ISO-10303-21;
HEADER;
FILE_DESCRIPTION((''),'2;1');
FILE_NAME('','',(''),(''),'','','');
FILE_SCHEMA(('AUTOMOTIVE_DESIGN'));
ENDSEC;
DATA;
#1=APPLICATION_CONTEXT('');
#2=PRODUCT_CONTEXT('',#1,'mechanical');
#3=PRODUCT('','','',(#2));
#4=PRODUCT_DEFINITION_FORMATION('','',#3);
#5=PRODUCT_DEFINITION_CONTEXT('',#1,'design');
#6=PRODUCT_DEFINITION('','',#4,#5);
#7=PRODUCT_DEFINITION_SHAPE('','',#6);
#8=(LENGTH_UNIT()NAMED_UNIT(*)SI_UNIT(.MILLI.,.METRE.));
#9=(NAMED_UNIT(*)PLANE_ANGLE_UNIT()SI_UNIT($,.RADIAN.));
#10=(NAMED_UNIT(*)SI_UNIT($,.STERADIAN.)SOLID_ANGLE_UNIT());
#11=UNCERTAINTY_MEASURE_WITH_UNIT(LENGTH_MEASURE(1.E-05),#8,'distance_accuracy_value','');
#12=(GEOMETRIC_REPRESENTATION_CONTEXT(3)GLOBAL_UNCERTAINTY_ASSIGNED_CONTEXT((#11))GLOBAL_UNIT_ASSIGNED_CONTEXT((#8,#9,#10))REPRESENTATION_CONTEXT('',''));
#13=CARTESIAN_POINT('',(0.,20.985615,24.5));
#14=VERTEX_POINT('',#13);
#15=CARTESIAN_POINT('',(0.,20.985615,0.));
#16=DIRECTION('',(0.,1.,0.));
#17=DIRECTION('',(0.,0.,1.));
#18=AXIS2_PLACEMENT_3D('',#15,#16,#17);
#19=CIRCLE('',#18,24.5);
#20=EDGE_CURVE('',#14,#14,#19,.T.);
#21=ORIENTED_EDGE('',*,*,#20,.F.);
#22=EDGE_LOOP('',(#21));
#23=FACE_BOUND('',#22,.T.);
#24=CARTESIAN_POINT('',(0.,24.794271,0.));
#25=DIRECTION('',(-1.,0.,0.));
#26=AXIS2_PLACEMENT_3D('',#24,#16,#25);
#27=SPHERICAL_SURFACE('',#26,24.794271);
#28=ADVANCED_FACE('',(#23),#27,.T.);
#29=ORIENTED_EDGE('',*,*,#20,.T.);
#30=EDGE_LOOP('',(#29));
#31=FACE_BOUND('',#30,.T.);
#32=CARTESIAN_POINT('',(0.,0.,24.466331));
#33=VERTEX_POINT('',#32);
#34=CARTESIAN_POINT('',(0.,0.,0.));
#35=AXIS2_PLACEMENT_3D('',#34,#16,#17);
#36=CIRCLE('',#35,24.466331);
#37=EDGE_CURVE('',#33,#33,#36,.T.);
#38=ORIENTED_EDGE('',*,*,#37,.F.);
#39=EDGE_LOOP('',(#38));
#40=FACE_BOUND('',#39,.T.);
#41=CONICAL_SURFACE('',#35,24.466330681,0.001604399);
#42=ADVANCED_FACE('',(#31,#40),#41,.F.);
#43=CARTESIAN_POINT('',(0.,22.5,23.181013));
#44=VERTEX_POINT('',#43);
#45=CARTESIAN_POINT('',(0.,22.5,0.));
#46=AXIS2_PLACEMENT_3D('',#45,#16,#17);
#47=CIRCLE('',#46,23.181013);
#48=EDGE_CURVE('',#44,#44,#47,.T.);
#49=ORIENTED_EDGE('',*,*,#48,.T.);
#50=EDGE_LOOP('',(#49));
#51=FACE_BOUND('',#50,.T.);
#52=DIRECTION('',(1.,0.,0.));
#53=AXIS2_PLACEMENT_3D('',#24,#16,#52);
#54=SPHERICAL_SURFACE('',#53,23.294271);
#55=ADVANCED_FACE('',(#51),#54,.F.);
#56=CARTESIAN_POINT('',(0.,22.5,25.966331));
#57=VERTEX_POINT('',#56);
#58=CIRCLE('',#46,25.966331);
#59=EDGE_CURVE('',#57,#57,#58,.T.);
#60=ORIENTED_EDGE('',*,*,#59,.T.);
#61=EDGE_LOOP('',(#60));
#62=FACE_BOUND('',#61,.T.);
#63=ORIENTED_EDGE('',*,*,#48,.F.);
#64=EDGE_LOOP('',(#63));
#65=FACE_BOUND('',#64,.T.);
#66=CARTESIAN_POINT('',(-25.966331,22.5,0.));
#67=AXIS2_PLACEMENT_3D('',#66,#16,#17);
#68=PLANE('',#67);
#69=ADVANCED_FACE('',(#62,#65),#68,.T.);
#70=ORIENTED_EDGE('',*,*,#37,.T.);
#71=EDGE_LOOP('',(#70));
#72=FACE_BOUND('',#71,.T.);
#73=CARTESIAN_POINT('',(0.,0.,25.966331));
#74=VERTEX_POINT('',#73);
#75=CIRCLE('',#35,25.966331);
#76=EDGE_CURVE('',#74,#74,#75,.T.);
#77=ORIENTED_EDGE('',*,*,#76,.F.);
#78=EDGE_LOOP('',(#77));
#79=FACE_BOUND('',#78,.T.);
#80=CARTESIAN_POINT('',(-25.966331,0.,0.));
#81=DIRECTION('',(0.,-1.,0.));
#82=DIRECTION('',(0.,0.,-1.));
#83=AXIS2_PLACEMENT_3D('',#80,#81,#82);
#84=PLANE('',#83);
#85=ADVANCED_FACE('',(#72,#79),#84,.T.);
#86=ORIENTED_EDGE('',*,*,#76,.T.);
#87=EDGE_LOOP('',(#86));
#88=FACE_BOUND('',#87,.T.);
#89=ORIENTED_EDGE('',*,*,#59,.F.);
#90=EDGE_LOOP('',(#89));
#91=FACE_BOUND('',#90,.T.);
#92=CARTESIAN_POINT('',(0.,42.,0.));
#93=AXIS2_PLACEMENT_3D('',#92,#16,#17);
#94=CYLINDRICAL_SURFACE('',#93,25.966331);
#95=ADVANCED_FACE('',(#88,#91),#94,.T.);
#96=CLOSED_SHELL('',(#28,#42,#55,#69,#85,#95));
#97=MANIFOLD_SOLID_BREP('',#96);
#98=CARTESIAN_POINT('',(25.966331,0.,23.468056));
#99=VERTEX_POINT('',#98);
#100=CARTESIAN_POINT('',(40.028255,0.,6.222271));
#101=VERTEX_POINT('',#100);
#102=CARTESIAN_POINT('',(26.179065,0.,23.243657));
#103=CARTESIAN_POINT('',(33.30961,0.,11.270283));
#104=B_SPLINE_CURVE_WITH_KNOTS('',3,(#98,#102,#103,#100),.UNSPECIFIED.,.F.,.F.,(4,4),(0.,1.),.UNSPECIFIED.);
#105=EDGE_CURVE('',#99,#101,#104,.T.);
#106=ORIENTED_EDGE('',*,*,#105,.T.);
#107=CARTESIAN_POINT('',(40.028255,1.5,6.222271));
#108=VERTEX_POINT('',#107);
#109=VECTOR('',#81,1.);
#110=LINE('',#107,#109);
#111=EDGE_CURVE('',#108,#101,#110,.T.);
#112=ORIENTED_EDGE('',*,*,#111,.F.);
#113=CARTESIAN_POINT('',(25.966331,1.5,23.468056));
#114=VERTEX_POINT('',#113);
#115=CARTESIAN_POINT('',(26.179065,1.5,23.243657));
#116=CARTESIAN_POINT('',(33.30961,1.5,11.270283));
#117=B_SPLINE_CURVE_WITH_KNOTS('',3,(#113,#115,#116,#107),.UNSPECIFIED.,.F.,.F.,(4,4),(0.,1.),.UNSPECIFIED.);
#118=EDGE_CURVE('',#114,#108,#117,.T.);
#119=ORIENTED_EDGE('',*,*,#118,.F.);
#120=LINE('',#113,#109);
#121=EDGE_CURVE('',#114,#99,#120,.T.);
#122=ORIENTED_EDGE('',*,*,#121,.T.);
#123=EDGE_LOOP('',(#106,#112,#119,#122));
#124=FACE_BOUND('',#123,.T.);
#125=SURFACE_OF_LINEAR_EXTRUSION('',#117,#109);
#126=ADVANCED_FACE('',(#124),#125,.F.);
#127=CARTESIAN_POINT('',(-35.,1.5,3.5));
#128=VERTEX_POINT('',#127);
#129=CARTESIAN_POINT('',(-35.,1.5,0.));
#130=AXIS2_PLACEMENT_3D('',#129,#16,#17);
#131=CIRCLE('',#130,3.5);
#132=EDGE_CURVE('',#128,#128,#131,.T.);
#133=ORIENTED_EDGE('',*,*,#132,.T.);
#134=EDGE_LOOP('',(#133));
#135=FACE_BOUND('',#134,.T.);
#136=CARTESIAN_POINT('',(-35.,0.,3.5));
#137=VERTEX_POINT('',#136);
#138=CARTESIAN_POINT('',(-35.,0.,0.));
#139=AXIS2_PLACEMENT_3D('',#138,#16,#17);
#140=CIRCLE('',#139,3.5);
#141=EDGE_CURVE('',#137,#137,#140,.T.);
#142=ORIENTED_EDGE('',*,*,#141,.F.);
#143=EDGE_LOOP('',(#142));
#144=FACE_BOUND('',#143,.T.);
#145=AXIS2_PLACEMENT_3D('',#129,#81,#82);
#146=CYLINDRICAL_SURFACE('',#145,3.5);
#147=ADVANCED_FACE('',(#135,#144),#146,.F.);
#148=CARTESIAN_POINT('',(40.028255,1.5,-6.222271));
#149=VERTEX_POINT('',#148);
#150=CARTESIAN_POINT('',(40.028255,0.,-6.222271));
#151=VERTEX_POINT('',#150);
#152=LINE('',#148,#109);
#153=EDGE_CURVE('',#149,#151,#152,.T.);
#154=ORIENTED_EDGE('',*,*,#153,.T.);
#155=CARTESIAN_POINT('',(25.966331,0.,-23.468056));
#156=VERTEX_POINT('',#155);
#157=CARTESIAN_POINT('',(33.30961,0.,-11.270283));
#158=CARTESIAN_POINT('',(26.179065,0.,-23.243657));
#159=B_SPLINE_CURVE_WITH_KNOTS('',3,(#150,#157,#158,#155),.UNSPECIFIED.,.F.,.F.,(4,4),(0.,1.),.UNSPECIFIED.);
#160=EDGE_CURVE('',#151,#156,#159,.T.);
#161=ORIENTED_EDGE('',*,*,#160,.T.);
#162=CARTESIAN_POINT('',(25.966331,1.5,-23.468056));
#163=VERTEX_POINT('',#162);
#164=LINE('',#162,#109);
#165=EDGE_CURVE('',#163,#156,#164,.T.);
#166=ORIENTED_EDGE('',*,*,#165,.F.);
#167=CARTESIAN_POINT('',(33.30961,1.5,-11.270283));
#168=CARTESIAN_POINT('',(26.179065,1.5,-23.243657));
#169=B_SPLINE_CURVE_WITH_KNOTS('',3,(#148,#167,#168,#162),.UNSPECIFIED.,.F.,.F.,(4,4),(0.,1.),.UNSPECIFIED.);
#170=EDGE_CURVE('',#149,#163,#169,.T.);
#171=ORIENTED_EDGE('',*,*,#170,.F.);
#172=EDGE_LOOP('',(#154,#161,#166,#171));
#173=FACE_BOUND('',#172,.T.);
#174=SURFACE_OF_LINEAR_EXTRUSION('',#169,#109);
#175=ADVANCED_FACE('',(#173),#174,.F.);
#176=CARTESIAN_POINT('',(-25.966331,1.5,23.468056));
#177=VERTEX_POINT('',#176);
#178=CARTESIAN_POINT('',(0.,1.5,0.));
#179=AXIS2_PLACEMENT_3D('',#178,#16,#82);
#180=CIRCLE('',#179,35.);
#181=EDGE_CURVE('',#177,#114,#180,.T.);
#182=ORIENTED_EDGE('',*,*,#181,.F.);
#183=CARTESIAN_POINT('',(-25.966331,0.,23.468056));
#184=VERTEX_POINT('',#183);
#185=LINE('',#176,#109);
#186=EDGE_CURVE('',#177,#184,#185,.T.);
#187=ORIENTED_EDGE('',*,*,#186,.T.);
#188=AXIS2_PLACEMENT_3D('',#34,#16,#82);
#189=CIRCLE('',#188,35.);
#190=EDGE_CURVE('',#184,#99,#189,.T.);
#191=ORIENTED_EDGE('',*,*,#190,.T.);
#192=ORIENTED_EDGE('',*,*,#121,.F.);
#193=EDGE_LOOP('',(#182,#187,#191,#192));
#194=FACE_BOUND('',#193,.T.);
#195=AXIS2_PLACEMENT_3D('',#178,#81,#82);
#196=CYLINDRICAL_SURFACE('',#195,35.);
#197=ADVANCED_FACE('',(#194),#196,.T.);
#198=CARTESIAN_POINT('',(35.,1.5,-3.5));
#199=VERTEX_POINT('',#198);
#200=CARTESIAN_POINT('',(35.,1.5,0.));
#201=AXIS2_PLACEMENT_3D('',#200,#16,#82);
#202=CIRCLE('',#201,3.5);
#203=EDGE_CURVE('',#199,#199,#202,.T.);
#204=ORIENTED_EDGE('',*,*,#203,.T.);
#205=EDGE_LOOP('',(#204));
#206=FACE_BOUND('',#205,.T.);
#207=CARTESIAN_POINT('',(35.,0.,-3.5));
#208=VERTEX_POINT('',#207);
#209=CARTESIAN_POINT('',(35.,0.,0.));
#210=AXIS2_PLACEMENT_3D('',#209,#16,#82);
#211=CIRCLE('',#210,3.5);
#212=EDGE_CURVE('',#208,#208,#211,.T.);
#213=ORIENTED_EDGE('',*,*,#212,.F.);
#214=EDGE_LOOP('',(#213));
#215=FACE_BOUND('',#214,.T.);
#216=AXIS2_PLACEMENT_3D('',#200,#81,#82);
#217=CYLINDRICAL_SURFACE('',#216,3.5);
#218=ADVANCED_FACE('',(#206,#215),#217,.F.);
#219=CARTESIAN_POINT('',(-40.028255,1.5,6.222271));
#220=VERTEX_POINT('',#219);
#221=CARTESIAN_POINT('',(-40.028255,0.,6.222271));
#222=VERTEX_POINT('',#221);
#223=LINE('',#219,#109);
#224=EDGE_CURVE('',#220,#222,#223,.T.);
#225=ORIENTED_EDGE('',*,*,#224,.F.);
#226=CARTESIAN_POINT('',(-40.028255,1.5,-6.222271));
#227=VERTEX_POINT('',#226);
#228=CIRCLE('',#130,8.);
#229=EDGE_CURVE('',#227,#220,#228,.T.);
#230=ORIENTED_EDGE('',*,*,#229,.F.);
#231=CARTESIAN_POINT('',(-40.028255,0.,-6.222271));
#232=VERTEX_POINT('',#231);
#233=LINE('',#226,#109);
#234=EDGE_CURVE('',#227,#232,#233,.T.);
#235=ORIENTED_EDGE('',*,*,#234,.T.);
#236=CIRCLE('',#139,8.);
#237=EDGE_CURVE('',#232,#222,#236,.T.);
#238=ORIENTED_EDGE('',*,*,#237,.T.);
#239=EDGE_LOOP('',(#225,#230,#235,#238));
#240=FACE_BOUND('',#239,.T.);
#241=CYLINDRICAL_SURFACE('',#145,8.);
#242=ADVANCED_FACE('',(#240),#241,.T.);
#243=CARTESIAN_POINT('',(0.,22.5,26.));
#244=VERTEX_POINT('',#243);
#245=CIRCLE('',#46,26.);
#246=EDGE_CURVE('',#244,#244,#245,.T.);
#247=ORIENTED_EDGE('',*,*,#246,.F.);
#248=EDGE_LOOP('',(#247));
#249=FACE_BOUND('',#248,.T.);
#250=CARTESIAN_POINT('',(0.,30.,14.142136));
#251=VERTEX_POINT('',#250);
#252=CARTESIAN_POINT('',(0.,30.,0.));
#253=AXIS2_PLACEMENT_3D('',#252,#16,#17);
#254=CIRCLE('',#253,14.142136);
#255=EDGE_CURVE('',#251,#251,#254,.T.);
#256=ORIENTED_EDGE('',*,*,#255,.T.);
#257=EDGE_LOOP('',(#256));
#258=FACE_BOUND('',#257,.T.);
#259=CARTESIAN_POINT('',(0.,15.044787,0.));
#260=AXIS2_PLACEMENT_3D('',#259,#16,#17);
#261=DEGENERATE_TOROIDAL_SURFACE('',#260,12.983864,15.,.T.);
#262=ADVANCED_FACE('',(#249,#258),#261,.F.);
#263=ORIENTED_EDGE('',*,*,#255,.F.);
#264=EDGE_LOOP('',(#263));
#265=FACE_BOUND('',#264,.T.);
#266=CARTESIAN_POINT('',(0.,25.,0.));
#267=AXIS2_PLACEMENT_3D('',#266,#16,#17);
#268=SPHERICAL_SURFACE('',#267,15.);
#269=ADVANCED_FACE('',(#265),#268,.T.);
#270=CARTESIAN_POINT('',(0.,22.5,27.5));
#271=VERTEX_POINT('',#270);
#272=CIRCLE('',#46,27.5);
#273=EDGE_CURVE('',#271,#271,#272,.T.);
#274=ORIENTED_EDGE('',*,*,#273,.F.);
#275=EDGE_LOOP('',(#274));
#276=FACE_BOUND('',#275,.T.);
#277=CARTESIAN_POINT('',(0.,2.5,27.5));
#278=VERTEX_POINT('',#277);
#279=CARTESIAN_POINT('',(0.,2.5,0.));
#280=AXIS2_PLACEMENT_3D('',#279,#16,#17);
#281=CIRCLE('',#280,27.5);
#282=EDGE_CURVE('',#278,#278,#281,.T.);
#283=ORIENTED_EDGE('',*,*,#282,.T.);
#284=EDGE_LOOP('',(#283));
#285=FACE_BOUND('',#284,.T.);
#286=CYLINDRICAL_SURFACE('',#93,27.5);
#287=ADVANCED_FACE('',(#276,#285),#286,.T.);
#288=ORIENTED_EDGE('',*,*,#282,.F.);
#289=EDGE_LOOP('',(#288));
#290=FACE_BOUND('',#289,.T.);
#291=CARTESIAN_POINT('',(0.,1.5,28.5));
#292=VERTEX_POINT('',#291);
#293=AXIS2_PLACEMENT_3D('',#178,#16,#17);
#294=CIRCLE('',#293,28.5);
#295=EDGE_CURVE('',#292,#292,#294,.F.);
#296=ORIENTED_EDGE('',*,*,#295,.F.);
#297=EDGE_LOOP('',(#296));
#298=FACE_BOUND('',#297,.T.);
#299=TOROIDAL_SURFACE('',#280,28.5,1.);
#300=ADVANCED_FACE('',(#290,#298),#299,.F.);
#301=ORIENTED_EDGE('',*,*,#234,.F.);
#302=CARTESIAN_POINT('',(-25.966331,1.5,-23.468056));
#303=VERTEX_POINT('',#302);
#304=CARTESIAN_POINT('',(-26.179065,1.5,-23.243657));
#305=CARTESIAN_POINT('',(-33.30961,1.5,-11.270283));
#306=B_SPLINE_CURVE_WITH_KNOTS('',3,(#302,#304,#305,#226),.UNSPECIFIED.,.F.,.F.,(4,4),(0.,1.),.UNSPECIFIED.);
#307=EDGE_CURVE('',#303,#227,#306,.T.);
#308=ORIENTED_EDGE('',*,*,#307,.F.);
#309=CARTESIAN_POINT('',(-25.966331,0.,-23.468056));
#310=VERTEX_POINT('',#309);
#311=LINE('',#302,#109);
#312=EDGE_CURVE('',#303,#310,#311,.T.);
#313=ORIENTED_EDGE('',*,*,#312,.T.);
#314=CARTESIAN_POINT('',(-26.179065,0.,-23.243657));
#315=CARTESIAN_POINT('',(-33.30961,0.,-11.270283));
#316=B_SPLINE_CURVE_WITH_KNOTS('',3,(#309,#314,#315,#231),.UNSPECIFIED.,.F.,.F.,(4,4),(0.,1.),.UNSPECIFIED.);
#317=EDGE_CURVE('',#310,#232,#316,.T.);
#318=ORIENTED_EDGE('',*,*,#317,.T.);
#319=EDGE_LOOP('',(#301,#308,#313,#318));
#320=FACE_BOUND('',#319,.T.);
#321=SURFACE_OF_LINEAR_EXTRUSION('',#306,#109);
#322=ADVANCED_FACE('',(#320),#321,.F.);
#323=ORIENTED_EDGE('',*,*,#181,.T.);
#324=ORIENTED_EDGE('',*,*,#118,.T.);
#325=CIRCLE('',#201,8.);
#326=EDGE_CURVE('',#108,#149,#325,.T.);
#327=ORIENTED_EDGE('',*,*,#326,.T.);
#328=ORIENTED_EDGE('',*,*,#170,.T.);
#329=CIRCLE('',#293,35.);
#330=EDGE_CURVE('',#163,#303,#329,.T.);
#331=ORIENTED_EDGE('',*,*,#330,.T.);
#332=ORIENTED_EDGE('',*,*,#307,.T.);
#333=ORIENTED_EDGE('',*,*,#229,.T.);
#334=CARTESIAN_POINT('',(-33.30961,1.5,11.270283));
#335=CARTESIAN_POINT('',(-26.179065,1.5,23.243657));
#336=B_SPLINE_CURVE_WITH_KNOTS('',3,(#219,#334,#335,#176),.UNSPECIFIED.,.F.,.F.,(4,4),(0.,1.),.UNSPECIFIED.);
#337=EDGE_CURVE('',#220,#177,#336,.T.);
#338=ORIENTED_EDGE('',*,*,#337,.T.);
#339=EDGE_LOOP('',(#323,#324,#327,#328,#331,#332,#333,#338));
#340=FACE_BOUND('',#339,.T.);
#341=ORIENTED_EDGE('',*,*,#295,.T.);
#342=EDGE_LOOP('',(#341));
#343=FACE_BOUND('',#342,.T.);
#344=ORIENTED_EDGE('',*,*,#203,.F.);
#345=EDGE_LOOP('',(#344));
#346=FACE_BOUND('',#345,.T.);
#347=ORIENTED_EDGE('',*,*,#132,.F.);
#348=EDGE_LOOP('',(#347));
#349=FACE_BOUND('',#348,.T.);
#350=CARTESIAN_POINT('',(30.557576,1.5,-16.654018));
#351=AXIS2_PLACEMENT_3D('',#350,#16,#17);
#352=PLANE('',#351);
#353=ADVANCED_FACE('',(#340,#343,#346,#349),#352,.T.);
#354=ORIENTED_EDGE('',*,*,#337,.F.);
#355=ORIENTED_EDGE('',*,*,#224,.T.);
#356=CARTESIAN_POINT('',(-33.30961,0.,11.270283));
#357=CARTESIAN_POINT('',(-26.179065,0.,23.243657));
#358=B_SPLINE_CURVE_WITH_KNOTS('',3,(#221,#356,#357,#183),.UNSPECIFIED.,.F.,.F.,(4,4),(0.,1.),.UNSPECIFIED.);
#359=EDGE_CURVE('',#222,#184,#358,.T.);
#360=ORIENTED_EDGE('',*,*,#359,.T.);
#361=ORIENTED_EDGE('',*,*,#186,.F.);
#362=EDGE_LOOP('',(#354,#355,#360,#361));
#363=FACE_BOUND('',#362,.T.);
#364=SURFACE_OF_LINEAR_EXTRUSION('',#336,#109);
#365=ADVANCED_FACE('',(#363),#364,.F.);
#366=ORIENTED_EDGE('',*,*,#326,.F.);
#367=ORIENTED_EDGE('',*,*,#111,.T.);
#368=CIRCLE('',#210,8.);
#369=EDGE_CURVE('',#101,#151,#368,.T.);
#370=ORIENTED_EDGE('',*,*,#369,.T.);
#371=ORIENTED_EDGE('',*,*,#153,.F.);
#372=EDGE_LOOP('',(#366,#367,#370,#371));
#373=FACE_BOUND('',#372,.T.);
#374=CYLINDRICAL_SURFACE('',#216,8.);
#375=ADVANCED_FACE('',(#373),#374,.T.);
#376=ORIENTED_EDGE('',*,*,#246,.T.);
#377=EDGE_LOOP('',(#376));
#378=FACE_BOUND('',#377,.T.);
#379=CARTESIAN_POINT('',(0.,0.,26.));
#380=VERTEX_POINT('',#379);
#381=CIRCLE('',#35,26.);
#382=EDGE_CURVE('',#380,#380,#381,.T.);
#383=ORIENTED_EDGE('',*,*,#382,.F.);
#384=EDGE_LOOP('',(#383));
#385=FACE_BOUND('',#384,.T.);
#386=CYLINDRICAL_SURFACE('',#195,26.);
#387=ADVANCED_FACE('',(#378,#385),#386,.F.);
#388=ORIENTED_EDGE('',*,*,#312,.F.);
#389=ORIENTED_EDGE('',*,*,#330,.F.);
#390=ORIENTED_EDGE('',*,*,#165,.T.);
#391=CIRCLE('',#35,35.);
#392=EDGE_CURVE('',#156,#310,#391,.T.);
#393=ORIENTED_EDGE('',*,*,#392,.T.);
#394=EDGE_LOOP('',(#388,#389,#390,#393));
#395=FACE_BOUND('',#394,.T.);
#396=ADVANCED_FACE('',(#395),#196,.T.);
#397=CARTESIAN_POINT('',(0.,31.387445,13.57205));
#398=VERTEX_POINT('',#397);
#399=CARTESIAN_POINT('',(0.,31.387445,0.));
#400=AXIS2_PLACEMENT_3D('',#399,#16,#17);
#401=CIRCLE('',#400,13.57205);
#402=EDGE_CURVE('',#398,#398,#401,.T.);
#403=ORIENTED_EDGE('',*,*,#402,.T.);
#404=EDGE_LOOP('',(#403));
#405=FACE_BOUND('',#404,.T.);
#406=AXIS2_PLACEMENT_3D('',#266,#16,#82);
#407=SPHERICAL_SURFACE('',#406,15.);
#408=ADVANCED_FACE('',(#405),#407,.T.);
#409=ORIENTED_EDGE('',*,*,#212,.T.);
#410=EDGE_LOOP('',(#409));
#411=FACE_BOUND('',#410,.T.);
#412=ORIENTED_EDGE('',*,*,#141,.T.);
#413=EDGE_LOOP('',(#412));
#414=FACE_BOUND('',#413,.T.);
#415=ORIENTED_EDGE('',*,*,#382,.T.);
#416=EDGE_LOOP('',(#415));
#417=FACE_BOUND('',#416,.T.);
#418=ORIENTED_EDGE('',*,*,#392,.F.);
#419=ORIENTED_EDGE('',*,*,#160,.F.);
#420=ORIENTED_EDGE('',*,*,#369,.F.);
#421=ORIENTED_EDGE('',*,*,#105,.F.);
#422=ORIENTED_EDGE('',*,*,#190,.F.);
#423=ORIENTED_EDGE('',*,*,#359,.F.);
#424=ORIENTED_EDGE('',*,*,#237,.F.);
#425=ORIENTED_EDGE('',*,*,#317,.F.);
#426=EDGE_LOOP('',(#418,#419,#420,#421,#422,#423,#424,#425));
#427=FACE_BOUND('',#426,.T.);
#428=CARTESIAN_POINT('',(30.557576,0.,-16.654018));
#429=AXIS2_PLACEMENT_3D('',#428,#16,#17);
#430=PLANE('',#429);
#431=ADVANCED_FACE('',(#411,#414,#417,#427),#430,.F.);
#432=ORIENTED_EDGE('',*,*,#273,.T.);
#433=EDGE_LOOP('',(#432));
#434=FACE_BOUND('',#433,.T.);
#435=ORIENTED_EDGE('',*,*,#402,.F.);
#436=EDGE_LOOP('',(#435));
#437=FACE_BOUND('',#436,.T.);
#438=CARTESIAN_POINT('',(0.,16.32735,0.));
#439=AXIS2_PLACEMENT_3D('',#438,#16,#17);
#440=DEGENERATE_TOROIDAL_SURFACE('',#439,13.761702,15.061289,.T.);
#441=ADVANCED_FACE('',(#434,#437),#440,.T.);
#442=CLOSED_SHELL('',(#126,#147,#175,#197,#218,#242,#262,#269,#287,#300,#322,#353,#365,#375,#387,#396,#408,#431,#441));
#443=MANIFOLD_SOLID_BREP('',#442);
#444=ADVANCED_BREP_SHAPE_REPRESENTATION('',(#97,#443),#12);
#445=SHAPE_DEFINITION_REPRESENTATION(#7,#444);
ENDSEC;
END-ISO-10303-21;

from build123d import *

# Parameters (mm, degrees)
SKETCH1_R           = 26
SKETCH1_R_2         = 3.5
BOSS_EXTRUDE1_DEPTH = 1.5
FILLET1_R           = 1


with BuildPart() as part:
    # Sketch1 → Boss-Extrude1 (new body)
    with BuildSketch(Plane(origin=(0, 0, 0), x_dir=(1, 0, 0), z_dir=(0, 1, 0))):
        with BuildLine():
            ThreePointArc((25.966330681, 23.468056395), (0, 35), (-25.966330681, 23.468056395))
            add(Edge.make_bspline(
                [(-40.028254969, 6.222270644), (-33.309609864, 11.270283014), (-26.179065421, 23.243656803), (-25.966330681, 23.468056395)],
                knots=[0, 0, 0, 0, 1, 1, 1, 1], degree=3))
            ThreePointArc((-40.028254969, 6.222270644), (-43, 0), (-40.028254969, -6.222270644))
            add(Edge.make_bspline(
                [(-40.028254969, -6.222270644), (-33.309609864, -11.270283014), (-26.179065421, -23.243656803), (-25.966330681, -23.468056395)],
                knots=[0, 0, 0, 0, 1, 1, 1, 1], degree=3))
            ThreePointArc((-25.966330681, -23.468056395), (0, -35), (25.966330681, -23.468056395))
            add(Edge.make_bspline(
                [(40.028254969, -6.222270644), (33.309609864, -11.270283014), (26.179065421, -23.243656803), (25.966330681, -23.468056395)],
                knots=[0, 0, 0, 0, 1, 1, 1, 1], degree=3))
            ThreePointArc((40.028254969, -6.222270644), (43, 0), (40.028254969, 6.222270644))
            add(Edge.make_bspline(
                [(40.028254969, 6.222270644), (33.309609864, 11.270283014), (26.179065421, 23.243656803), (25.966330681, 23.468056395)],
                knots=[0, 0, 0, 0, 1, 1, 1, 1], degree=3))
        make_face()
        with Locations(Location((0, 0, 0), (0, 0, 270))):
            Circle(SKETCH1_R, mode=Mode.SUBTRACT)
        with Locations(Location((-35, 0, 0), (0, 0, 270))):
            Circle(SKETCH1_R_2, mode=Mode.SUBTRACT)
        with Locations(Location((35, 0, 0), (0, 0, 90))):
            Circle(SKETCH1_R_2, mode=Mode.SUBTRACT)
    extrude(amount=BOSS_EXTRUDE1_DEPTH)

    # Sketch2 → Revolve1 (revolve)
    with BuildSketch(Plane(origin=(0, 0, 0), x_dir=(0, 0, -1), z_dir=(1, 0, 0))):
        with BuildLine():
            Line((0, 40), (0, 10))
            ThreePointArc((0, 10), (-15, 25), (0, 40))
        make_face()
        with BuildLine():
            Line((-27.5, 1.5), (-26, 1.5))
            Line((-26, 1.5), (-26, 22.5))
            ThreePointArc((-26, 22.5), (-21.002028258, 27.721893695), (-14.142135624, 30))
            ThreePointArc((-14.142135624, 30), (-13.874446892, 30.70085287), (-13.572050337, 31.387444689))
            ThreePointArc((-13.572050337, 31.387444689), (-21.863437849, 29.023975741), (-27.5, 22.5))
            Line((-27.5, 22.5), (-27.5, 1.5))
        make_face()
    revolve(axis=Axis((0, 42, 0), (0, -1, 0)))

    # Fillet1
    fillet1_edges = [part.edges().sort_by_distance(p)[0] for p in [
        (0, 1.5, -27.5),
    ]]
    fillet(fillet1_edges, radius=FILLET1_R)


with BuildPart() as body_2:
    # Sketch3 → Revolve2 (revolve)
    with BuildSketch(Plane.XY, mode=Mode.PRIVATE) as revolve2_sk:
        with BuildLine():
            Line((0, 1.5), (0, 0))
            ThreePointArc((0, 0), (-16.129522843, 5.963594864), (-24.5, 20.985614801))
            Line((-24.5, 20.985614801), (-24.466330681, 0))
            Line((-24.466330681, 0), (-25.966330681, 0))
            Line((-25.966330681, 0), (-25.966330681, 22.5))
            Line((-25.966330681, 22.5), (-23.181013127, 22.5))
            ThreePointArc((-23.181013127, 22.5), (-15.63936835, 7.530632465), (0, 1.5))
        make_face()
    revolve(revolve2_sk.sketch.rotate(Axis((0, 42, 0), (0, -1, 0)), 270), axis=Axis((0, 42, 0), (0, -1, 0)))


solid = Compound([part.part, body_2.part])
